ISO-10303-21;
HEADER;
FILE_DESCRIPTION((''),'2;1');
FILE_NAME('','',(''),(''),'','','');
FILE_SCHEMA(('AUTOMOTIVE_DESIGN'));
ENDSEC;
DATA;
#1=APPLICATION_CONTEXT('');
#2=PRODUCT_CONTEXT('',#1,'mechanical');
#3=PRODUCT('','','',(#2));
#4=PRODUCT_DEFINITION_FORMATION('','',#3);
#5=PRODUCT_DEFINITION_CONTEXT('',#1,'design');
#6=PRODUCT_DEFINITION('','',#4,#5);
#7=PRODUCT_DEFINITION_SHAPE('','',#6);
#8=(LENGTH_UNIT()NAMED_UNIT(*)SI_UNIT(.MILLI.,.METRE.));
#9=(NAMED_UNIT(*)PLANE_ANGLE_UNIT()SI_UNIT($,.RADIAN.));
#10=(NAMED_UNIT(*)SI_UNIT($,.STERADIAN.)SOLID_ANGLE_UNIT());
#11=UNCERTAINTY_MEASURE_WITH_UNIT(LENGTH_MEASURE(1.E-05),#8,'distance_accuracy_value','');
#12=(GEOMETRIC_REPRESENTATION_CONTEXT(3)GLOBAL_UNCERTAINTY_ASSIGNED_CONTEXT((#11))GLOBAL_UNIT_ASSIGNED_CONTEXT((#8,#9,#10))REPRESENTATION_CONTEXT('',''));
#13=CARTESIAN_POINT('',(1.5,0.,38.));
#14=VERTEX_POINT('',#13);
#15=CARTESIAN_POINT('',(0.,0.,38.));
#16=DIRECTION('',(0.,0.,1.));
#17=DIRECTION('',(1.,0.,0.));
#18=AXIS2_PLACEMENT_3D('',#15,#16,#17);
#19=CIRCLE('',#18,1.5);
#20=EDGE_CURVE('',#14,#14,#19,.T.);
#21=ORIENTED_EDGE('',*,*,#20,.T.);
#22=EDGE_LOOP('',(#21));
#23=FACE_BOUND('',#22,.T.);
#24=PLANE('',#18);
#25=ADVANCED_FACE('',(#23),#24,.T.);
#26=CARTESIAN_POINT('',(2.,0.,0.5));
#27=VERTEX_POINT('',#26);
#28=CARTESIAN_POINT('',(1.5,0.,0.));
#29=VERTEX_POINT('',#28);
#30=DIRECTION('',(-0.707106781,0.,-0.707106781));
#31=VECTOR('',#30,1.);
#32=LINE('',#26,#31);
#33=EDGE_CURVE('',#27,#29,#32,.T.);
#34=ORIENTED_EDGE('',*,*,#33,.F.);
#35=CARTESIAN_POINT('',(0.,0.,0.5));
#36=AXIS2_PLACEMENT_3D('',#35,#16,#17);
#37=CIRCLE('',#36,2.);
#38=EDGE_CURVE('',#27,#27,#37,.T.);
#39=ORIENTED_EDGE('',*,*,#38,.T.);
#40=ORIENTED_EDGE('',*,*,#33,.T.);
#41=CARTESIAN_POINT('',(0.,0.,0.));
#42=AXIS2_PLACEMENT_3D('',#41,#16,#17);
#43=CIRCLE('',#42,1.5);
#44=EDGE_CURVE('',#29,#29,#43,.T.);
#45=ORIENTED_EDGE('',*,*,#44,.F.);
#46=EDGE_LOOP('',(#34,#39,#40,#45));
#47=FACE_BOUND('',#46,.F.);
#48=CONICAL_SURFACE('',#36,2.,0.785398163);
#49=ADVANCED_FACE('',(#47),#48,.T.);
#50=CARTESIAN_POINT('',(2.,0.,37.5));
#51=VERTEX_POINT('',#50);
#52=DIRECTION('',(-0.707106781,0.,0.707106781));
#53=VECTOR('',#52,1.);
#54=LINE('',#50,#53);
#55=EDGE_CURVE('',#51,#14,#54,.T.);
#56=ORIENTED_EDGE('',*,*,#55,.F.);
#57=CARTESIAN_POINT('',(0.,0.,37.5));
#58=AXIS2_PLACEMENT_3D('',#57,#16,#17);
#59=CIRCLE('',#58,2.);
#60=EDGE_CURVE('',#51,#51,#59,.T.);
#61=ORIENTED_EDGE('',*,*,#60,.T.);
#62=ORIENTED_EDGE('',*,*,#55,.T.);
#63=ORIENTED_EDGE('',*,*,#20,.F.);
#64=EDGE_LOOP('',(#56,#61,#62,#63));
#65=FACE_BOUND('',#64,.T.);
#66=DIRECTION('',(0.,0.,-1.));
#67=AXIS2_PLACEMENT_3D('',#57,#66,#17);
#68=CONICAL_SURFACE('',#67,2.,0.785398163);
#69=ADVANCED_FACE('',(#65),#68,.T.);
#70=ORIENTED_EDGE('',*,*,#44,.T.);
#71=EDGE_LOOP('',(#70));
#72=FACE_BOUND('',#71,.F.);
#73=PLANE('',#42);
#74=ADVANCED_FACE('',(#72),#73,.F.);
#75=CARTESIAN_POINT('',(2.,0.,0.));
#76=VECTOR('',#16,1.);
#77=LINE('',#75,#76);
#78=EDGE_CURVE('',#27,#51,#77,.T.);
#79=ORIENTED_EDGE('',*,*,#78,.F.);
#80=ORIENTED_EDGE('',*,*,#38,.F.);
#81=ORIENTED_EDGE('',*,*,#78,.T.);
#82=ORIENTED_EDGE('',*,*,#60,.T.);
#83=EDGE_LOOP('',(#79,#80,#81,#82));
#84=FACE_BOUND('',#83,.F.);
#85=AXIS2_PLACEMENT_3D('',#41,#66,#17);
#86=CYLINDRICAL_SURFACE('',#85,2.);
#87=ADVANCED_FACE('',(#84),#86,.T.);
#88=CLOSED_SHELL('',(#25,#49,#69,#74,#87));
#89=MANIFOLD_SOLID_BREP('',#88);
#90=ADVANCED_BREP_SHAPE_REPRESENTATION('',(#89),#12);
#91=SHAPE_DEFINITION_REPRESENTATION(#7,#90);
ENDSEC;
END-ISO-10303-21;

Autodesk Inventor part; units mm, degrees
ref_plane "YZ Plane" through (0, 0, 0) normal (1, 0, 0) x (0, 1, 0)
ref_plane "XZ Plane" through (0, 0, 0) normal (0, 1, 0) x (-1, 0, 0)
ref_plane "XY Plane" through (0, 0, 0) normal (0, 0, 1) x (1, 0, 0)
sketch "Skizze1" plane through (0, 0, 0) normal (0, 0, 1) x (1, 0, 0)
  circle A0 centre (0, 0) radius 2
  dimension "d0" = 4
extrude "Extrusion1" add sketch "Skizze1" along normal blind 38
chamfer "Fase1" distance 0.5 angle 45 2 edges at (-2, 0, 0) (-2, 0, 38)
properties part number "BeltDriveAxisV3"
